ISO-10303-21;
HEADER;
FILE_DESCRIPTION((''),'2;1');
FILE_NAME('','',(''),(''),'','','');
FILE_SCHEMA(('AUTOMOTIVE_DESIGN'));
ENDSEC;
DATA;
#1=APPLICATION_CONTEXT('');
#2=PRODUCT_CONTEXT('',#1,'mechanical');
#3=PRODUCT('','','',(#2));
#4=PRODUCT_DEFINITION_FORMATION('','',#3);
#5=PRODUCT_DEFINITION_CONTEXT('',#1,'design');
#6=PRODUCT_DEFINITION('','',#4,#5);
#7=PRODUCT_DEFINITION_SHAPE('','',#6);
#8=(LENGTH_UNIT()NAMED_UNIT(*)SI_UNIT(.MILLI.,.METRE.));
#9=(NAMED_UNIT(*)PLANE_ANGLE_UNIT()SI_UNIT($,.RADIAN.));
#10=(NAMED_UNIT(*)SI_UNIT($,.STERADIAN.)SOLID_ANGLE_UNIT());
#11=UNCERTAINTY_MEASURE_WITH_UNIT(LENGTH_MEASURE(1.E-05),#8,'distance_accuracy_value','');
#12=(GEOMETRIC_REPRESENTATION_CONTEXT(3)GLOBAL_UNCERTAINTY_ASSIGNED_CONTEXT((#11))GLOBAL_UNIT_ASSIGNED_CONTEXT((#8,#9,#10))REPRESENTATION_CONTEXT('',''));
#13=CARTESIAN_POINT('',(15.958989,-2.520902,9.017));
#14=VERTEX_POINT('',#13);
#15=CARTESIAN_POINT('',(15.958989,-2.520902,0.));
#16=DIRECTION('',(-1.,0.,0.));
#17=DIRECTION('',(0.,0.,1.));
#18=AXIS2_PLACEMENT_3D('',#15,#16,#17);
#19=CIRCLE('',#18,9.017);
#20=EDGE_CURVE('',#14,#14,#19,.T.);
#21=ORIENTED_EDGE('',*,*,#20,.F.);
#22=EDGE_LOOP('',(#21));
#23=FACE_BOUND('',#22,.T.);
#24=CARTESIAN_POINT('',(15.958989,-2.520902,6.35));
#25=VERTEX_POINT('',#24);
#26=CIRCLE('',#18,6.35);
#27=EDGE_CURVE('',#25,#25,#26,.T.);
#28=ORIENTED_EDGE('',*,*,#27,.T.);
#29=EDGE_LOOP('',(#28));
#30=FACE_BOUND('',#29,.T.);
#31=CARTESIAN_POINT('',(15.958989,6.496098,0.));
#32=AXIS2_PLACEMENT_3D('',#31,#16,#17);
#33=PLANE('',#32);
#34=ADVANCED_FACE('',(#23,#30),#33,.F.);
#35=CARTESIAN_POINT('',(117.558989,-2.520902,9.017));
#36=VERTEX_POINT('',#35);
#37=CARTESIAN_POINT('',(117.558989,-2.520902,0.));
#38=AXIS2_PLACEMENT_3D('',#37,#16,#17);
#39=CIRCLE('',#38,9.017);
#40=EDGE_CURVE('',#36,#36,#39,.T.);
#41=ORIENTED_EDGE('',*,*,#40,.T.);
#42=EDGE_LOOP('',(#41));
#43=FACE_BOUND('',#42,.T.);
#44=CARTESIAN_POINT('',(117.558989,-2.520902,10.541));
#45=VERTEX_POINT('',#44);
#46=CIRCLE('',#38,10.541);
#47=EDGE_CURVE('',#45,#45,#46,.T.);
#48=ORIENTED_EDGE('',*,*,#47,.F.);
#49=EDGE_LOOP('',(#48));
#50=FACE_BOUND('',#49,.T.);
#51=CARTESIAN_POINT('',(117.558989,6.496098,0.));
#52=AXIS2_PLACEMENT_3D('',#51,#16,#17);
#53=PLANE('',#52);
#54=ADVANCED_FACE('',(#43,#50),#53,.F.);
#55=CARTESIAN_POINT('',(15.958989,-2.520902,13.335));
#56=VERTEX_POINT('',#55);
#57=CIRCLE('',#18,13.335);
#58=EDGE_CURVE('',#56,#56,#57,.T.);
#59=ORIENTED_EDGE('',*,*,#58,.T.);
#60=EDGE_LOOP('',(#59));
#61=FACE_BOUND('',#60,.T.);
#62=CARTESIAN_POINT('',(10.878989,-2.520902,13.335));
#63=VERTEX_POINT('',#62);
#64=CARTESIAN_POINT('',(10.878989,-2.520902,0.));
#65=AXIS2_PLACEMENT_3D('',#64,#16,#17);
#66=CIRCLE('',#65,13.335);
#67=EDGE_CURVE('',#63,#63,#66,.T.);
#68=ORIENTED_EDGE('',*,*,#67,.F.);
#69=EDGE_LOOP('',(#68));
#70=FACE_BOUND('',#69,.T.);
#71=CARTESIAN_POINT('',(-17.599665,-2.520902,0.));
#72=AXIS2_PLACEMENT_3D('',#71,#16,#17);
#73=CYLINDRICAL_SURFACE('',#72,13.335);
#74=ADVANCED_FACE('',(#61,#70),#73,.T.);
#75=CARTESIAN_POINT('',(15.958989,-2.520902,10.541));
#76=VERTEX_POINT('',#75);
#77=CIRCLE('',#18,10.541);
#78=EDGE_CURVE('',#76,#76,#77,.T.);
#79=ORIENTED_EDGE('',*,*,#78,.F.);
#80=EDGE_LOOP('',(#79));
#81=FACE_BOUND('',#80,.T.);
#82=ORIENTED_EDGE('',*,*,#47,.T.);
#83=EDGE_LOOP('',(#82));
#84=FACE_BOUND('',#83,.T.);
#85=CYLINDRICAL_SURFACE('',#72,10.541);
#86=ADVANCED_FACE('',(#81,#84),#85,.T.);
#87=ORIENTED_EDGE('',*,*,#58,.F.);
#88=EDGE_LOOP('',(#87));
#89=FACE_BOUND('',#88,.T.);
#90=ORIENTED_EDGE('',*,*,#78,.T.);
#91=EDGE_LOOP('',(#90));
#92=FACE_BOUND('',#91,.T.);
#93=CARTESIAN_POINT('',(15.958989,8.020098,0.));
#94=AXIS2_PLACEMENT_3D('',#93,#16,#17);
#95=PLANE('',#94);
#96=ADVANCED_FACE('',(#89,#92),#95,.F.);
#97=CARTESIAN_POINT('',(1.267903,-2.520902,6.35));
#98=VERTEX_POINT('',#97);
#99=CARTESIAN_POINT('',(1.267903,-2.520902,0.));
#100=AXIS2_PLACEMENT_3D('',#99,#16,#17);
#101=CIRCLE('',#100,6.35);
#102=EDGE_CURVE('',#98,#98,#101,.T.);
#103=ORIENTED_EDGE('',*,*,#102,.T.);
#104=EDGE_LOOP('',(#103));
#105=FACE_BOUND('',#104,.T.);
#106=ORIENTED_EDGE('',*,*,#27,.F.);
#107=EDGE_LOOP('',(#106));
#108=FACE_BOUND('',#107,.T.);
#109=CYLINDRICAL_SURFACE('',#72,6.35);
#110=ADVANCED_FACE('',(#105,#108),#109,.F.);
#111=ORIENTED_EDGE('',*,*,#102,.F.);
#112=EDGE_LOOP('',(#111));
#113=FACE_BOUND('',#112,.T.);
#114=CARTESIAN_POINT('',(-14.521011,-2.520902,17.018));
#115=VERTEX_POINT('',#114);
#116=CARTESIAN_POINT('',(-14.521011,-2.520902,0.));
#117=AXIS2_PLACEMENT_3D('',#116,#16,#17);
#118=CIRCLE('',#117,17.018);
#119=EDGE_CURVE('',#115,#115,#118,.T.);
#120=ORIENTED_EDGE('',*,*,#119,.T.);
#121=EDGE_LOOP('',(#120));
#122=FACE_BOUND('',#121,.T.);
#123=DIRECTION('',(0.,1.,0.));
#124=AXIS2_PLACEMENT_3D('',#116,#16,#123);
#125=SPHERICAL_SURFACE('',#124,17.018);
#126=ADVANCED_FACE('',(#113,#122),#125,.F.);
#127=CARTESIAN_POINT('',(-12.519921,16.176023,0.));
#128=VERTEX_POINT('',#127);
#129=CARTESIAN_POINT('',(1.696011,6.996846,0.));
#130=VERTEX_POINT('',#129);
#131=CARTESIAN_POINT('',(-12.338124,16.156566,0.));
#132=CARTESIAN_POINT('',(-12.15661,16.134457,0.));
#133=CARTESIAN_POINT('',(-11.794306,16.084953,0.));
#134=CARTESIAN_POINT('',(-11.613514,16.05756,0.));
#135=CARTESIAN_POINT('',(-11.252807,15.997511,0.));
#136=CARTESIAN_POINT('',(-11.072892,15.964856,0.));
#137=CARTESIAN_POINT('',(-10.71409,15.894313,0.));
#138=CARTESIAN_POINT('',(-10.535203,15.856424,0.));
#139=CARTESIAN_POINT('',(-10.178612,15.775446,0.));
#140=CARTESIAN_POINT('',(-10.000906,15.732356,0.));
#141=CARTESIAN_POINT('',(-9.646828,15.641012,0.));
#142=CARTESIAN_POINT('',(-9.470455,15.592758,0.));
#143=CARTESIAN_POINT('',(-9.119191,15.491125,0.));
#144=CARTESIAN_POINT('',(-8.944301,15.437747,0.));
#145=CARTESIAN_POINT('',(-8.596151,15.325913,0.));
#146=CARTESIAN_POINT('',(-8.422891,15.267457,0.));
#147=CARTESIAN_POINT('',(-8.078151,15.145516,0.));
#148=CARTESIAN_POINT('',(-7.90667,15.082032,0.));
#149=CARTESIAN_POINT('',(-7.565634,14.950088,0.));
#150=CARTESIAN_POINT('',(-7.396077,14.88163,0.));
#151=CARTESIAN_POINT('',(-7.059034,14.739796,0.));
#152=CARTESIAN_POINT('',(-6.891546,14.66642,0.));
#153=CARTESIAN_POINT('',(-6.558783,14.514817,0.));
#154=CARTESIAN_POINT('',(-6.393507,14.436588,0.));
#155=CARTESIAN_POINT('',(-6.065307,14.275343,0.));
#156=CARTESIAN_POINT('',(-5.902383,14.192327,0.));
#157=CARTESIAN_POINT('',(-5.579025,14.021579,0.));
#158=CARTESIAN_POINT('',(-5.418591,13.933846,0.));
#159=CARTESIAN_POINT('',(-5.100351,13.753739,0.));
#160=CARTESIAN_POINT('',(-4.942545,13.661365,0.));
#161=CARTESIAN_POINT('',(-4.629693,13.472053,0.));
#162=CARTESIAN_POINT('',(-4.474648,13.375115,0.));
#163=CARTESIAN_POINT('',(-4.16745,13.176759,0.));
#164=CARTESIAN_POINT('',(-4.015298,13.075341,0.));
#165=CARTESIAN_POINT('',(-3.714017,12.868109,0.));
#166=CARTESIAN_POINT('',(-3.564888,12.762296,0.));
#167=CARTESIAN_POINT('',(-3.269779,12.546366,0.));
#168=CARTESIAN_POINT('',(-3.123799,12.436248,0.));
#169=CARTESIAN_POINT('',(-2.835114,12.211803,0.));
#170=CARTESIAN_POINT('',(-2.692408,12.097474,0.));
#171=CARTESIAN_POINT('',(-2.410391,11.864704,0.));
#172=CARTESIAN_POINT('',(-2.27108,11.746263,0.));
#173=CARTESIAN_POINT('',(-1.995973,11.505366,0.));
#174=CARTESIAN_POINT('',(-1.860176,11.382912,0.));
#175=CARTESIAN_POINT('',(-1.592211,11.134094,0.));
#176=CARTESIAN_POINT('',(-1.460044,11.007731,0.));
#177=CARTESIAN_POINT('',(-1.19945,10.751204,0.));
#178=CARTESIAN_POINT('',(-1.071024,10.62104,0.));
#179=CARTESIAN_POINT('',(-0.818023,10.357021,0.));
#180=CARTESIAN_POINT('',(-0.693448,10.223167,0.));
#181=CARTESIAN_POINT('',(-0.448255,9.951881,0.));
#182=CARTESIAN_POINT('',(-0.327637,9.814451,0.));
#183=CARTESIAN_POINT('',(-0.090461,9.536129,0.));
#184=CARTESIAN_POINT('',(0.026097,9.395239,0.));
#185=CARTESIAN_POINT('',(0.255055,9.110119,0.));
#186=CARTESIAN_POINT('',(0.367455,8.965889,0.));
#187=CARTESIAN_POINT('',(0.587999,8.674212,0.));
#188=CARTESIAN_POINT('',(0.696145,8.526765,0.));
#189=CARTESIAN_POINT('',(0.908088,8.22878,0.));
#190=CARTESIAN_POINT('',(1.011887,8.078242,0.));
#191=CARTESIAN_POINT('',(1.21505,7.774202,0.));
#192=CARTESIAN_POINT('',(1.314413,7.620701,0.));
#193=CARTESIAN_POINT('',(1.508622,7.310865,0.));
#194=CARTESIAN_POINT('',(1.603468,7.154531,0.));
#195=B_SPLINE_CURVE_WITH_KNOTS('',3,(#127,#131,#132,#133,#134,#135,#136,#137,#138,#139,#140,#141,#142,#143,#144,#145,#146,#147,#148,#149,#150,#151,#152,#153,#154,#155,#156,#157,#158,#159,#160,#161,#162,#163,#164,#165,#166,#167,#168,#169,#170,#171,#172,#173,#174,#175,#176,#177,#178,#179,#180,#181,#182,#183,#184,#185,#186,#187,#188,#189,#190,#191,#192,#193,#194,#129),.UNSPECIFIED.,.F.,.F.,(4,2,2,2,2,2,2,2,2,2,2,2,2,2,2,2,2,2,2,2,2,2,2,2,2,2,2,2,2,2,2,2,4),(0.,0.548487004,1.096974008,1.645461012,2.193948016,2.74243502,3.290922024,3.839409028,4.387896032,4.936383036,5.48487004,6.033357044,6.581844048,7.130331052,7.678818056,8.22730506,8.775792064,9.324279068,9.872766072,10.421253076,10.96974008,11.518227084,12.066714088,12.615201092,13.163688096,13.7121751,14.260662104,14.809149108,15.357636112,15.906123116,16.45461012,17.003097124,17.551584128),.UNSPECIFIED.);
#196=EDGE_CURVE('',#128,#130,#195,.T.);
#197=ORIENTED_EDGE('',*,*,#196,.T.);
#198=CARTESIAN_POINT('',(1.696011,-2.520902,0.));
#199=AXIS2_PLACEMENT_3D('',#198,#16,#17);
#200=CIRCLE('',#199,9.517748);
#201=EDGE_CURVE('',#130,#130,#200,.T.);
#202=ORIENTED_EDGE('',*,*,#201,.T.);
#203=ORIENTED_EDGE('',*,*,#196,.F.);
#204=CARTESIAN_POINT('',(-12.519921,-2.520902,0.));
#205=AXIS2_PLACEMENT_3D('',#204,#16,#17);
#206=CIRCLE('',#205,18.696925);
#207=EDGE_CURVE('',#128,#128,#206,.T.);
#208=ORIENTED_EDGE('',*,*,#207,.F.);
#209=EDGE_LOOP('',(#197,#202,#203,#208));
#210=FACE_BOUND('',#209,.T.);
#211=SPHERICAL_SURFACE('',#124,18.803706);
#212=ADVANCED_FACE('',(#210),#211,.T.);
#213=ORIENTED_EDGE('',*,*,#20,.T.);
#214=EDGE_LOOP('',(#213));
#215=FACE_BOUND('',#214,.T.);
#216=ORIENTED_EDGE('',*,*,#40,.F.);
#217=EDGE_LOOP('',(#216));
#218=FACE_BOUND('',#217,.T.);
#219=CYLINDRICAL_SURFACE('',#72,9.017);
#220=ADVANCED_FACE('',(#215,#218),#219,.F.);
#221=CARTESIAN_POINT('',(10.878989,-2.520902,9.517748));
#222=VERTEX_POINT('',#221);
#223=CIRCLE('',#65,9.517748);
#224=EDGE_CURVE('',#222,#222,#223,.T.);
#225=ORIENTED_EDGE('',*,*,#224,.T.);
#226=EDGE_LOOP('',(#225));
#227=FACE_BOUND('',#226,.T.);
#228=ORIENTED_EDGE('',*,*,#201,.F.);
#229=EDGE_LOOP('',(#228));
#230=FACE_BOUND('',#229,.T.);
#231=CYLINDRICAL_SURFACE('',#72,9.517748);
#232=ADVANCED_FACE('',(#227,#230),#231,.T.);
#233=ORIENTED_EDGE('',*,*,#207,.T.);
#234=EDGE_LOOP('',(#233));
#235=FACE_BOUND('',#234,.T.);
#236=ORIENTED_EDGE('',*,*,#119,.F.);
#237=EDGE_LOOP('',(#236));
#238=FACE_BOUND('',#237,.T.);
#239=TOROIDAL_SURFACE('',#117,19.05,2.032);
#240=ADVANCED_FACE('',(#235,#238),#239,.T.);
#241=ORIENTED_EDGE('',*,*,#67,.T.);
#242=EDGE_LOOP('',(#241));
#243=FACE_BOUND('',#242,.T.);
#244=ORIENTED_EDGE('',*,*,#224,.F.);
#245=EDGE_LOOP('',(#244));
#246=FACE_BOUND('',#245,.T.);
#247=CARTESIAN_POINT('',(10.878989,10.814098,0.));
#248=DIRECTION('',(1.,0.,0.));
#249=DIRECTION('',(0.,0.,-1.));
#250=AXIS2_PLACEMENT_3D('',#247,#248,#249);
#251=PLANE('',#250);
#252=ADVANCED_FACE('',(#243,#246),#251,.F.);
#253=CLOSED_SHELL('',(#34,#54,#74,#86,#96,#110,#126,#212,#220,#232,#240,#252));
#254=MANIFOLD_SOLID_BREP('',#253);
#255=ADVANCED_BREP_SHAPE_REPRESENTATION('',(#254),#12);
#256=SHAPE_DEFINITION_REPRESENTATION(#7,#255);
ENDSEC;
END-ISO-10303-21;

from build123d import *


with BuildPart() as part:
    # Sketch1 → Revolve1 (revolve)
    with BuildSketch(Plane.XY, mode=Mode.PRIVATE) as revolve1_sk:
        with BuildLine():
            Line((117.55898886, 6.49609803), (15.95898886, 6.49609803))
            Line((15.95898886, 6.49609803), (15.95898886, 3.82909803))
            Line((15.95898886, 3.82909803), (10.87898886, 3.82909803))
            Line((10.87898886, 3.82909803), (1.267903452, 3.82909803))
            ThreePointArc((1.267903452, 3.82909803), (-4.993471479, 11.580101966), (-14.52101114, 14.49709803))
            ThreePointArc((-14.52101114, 14.49709803), (-15.827069138, 18.085772853), (-12.519920979, 16.176022729))
            ThreePointArc((-12.519920979, 16.176022729), (-4.32104899, 13.27593718), (1.696011458, 6.996846349))
            Line((1.696011458, 6.996846349), (10.87898886, 6.996846349))
            Line((10.87898886, 6.996846349), (10.87898886, 10.81409803))
            Line((10.87898886, 10.81409803), (15.95898886, 10.81409803))
            Line((15.95898886, 10.81409803), (15.95898886, 8.02009803))
            Line((15.95898886, 8.02009803), (117.55898886, 8.02009803))
            Line((117.55898886, 8.02009803), (117.55898886, 6.49609803))
        make_face()
    revolve(revolve1_sk.sketch.rotate(Axis((-17.599665341, -2.52090197, 0), (1, 0, 0)), 90), axis=Axis((-17.599665341, -2.52090197, 0), (1, 0, 0)))


solid = part.part
